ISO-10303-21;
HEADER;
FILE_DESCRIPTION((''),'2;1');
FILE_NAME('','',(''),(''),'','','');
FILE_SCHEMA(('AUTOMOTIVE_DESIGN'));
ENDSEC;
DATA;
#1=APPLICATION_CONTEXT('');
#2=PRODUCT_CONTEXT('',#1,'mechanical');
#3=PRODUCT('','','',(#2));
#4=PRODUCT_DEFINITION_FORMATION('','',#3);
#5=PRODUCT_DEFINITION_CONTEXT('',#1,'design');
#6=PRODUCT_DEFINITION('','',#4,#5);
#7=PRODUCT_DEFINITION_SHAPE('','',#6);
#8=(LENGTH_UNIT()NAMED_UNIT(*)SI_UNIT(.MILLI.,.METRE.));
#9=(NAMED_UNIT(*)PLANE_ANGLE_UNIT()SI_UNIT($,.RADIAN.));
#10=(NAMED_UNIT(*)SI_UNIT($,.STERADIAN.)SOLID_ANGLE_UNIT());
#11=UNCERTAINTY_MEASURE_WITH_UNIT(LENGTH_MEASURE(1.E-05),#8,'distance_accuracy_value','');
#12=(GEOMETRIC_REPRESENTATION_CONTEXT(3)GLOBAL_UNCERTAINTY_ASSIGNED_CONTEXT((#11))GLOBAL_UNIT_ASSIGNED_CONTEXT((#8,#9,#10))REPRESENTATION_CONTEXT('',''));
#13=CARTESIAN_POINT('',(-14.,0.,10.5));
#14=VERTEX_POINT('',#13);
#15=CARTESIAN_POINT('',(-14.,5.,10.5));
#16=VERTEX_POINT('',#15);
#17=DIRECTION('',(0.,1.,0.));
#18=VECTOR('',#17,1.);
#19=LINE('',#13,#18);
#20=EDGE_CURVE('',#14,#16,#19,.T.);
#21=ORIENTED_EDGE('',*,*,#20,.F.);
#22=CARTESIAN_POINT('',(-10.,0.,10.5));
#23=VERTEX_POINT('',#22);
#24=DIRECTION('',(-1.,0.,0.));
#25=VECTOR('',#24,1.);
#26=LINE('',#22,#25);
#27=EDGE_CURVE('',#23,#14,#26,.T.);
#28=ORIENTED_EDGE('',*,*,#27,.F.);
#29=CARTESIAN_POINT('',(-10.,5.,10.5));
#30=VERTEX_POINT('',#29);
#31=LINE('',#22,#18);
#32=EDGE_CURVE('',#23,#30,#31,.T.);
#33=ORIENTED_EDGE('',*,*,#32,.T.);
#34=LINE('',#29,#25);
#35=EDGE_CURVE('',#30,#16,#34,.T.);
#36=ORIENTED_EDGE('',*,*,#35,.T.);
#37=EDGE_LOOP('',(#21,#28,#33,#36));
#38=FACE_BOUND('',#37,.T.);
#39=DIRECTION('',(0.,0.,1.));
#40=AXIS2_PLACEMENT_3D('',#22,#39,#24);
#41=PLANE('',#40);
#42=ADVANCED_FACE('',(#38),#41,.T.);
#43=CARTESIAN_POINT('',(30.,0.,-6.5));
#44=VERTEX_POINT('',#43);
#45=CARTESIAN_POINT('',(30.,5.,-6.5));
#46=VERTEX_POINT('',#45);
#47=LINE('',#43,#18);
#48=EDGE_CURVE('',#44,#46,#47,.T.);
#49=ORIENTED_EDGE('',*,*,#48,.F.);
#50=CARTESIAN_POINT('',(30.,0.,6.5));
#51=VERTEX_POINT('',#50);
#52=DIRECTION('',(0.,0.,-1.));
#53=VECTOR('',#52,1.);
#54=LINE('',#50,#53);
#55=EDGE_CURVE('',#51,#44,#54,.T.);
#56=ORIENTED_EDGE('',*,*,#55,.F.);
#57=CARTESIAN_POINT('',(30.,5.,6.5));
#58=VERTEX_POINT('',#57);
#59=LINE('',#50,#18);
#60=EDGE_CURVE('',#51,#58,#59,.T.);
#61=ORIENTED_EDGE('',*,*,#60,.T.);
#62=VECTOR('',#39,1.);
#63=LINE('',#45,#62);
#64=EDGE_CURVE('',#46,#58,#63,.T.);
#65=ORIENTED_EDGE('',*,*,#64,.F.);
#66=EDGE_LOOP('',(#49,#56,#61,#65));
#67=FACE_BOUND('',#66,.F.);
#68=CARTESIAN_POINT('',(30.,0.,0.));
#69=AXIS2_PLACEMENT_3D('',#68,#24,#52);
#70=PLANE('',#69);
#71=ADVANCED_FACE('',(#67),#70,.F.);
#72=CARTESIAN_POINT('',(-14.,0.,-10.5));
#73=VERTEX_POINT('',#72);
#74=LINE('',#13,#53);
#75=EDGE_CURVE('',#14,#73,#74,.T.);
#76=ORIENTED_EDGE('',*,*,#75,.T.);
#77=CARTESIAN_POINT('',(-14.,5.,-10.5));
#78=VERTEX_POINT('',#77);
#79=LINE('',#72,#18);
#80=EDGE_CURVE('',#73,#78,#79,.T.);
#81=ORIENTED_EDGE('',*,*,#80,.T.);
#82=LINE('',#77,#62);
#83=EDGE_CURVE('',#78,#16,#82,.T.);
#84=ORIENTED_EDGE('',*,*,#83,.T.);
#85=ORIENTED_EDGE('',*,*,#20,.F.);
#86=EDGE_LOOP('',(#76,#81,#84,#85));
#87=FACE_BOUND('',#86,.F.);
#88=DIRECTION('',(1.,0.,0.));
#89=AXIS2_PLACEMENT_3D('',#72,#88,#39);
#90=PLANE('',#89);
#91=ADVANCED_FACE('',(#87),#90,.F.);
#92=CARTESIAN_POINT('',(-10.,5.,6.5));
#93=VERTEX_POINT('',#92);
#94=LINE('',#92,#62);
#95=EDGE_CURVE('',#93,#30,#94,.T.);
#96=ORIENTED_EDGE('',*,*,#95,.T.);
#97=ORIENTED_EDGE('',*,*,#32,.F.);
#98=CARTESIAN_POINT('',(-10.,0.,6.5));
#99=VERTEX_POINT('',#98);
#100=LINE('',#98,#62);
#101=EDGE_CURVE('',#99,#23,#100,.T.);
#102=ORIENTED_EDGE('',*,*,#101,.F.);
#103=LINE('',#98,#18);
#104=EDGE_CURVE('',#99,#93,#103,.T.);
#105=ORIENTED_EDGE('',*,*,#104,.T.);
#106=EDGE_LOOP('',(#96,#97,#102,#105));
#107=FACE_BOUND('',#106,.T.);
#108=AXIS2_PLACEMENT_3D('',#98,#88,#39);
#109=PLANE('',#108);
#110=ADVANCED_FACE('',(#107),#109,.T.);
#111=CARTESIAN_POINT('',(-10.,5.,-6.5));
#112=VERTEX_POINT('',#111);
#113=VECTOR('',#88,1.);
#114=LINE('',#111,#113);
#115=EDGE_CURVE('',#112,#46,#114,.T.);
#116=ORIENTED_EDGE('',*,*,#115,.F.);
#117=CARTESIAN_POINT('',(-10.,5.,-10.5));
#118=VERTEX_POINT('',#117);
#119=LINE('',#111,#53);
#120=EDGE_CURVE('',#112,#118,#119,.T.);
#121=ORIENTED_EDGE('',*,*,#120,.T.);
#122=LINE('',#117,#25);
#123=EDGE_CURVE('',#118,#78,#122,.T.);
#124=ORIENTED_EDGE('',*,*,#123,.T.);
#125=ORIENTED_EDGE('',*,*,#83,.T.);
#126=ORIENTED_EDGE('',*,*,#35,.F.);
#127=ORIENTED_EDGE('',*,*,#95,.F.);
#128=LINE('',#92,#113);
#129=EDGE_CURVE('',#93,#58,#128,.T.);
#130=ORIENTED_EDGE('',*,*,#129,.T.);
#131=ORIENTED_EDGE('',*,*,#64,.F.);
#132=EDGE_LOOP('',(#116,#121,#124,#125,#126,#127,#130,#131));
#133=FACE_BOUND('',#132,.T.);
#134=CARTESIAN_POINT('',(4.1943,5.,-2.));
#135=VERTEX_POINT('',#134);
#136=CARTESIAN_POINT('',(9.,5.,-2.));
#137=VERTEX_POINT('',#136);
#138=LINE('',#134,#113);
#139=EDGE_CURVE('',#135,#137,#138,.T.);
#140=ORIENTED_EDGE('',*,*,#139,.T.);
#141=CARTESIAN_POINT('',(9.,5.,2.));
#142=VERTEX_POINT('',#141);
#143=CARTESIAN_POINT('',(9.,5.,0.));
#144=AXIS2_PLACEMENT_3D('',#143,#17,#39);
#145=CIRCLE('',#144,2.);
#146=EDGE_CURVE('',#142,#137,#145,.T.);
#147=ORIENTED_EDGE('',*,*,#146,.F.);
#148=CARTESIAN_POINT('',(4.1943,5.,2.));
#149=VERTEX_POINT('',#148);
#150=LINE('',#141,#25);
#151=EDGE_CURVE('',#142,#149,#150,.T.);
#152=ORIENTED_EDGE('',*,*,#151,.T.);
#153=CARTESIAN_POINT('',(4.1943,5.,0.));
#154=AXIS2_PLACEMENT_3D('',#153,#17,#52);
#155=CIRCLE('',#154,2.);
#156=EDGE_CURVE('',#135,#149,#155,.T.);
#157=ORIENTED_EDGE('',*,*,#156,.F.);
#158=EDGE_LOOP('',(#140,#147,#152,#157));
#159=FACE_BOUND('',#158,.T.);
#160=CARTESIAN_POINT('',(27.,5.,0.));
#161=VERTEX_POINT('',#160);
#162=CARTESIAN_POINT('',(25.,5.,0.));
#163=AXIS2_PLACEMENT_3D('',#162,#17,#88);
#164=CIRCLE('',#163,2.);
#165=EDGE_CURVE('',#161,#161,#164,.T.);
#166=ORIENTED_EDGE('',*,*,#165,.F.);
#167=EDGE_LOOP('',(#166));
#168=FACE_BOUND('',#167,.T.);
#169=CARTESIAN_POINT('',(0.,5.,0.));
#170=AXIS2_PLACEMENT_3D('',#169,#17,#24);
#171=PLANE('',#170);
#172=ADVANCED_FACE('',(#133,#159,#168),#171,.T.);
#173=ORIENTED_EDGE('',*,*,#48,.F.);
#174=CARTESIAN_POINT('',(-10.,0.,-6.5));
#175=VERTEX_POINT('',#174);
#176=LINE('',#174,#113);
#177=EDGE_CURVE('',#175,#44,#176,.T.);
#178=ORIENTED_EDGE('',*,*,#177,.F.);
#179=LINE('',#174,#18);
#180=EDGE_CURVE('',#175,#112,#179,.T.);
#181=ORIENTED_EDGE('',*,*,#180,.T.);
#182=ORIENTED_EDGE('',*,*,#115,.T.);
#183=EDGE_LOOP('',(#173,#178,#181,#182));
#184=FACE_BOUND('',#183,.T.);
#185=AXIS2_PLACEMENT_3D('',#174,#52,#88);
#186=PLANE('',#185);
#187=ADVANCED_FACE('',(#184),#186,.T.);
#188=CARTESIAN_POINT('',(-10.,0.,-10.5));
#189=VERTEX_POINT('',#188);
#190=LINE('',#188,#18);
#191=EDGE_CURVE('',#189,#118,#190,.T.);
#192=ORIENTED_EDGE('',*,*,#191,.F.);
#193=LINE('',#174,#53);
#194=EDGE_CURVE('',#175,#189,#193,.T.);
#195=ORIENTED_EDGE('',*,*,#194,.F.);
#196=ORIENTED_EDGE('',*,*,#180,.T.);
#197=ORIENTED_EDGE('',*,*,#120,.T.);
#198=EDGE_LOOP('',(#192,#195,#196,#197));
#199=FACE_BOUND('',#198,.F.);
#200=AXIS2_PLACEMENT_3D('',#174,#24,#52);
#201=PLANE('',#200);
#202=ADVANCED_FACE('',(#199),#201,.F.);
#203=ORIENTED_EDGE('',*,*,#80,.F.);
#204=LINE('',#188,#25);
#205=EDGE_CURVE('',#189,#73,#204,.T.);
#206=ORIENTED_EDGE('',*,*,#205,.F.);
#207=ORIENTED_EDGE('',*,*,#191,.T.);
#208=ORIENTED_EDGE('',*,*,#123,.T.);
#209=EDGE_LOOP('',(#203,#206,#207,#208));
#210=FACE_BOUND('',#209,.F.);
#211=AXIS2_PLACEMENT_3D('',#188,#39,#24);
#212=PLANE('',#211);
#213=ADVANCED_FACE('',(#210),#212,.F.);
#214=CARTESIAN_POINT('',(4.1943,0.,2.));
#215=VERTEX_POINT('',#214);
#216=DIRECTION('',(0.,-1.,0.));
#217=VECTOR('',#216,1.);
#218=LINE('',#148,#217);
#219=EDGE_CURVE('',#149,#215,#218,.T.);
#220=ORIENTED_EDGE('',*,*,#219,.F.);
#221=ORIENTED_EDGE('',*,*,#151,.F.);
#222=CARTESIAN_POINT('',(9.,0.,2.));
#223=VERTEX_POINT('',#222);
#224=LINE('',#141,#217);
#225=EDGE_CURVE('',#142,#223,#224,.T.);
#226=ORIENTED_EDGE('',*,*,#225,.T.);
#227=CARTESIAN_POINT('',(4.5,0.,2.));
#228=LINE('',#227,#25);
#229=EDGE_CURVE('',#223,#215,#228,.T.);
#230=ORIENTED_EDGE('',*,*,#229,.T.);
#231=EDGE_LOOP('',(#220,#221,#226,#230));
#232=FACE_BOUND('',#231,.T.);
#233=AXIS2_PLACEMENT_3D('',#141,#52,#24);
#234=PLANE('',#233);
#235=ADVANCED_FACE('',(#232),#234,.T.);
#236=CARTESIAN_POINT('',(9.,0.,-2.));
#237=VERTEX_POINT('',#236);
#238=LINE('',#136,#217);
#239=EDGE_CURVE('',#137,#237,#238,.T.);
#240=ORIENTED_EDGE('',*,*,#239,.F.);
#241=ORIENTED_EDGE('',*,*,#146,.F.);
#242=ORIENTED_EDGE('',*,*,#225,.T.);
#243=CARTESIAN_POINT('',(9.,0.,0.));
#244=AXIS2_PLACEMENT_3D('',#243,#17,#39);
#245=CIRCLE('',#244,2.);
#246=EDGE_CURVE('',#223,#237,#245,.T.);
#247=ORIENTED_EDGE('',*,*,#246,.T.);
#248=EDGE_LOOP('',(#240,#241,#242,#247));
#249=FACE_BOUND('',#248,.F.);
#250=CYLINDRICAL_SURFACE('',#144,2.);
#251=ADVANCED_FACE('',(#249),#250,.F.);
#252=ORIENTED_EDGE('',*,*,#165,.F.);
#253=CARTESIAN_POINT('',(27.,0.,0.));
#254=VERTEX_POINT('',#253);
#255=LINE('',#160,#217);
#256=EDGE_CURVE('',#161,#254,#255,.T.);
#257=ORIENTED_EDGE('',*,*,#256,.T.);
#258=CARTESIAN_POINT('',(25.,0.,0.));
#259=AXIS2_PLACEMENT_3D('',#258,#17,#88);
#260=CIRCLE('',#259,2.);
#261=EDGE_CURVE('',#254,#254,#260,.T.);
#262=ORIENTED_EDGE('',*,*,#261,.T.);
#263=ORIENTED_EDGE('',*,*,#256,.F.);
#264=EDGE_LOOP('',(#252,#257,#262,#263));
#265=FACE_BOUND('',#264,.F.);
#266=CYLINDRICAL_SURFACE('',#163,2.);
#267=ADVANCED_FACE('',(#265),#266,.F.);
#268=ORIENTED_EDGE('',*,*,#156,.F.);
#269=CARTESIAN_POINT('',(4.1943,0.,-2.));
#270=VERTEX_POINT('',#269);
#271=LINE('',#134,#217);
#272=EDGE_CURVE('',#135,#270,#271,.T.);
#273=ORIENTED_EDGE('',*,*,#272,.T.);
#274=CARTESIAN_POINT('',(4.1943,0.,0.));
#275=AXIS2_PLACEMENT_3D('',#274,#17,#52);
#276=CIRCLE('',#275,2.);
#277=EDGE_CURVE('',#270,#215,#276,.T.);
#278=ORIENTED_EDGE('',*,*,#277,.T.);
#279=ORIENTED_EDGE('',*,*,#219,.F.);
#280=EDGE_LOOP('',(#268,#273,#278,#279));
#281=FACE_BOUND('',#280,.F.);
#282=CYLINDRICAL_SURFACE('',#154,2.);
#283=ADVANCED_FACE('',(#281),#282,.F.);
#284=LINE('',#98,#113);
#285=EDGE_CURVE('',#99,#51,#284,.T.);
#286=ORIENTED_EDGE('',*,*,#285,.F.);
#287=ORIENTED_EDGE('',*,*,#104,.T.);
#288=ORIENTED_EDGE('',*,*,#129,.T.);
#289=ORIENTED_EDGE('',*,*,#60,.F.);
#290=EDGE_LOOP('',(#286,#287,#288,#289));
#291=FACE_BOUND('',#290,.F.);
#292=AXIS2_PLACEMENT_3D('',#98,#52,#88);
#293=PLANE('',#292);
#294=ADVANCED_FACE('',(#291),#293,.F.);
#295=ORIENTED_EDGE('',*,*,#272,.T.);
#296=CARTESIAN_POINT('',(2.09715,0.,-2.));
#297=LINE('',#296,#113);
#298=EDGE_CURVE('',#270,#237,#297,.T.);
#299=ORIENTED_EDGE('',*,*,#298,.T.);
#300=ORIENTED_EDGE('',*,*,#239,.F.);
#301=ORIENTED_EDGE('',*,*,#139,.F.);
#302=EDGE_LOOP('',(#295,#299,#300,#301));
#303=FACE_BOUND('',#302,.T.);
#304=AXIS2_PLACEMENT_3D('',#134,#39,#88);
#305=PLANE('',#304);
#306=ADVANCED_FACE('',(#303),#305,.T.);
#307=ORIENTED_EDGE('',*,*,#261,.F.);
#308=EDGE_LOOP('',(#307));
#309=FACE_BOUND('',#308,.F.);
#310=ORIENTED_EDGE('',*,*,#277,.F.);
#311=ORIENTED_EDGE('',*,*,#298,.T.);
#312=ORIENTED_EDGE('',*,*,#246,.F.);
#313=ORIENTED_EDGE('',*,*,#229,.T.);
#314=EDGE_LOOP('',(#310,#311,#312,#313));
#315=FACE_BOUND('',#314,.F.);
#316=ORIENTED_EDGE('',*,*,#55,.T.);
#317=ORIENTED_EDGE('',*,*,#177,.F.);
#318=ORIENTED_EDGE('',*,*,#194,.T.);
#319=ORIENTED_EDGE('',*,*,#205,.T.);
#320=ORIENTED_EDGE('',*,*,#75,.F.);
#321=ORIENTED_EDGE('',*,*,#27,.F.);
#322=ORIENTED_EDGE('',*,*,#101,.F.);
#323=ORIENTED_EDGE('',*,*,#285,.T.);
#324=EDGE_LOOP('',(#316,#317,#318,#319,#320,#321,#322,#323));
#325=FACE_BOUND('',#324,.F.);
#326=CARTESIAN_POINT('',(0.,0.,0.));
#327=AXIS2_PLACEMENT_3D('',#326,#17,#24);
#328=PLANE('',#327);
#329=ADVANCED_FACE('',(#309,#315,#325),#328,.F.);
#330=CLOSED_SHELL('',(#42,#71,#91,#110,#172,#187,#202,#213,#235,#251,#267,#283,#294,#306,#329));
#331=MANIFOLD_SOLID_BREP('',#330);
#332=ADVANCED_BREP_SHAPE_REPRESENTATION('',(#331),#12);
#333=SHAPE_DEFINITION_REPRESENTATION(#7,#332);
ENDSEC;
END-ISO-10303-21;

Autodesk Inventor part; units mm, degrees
ref_plane "YZ Plane" through (0, 0, 0) normal (1, 0, 0) x (0, 1, 0)
ref_plane "XZ Plane" through (0, 0, 0) normal (0, 1, 0) x (-1, 0, 0)
ref_plane "XY Plane" through (0, 0, 0) normal (0, 0, 1) x (1, 0, 0)
sketch "Sketch1" plane through (0, 0, 0) normal (0, 1, 0) x (-1, 0, 0)
  line L0 (10, -6.5) -> (-30, -6.5)
  line L1 (10, -10.5) -> (14, -10.5)
  line L2 (14, -10.5) -> (14, 0)
  line L3 (10, -6.5) -> (10, -10.5)
  line L4 (-30, 0) -> (-30, -6.5)
  line L5 (10, 6.5) -> (-30, 6.5)
  line L6 (10, 10.5) -> (14, 10.5)
  line L7 (14, 10.5) -> (14, 0)
  line L8 (10, 6.5) -> (10, 10.5)
  line L9 (-30, 0) -> (-30, 6.5)
  point P0 (0, 0)
  dimension "d0" = 40
  dimension "d5" = 4
  dimension "d15" = 13
extrude "Extrusion1" add sketch "Sketch1" along normal blind 5
sketch "Sketch2" plane through (0, 5, 0) normal (0, 1, 0) x (1, 0, 0)
  circle A0 centre (25, 0) radius 2
  arc A1 (9, -2) -> (9, 2) centre (9, 0) ccw
  arc A2 (4.1943, 2) -> (4.1943, -2) centre (4.1943, 0) ccw
  line L0 (9, -2) -> (4.1943, -2)
  line L1 (4.1943, 2) -> (9, 2)
  point P0 (0, 0)
  dimension "d8" = 4
  dimension "d10" = 4
  dimension "d11" = 12
  dimension "d12" = 4
extrude "Extrusion2" cut sketch "Sketch2" against normal blind 7.75
properties part number "motor_fastening"
